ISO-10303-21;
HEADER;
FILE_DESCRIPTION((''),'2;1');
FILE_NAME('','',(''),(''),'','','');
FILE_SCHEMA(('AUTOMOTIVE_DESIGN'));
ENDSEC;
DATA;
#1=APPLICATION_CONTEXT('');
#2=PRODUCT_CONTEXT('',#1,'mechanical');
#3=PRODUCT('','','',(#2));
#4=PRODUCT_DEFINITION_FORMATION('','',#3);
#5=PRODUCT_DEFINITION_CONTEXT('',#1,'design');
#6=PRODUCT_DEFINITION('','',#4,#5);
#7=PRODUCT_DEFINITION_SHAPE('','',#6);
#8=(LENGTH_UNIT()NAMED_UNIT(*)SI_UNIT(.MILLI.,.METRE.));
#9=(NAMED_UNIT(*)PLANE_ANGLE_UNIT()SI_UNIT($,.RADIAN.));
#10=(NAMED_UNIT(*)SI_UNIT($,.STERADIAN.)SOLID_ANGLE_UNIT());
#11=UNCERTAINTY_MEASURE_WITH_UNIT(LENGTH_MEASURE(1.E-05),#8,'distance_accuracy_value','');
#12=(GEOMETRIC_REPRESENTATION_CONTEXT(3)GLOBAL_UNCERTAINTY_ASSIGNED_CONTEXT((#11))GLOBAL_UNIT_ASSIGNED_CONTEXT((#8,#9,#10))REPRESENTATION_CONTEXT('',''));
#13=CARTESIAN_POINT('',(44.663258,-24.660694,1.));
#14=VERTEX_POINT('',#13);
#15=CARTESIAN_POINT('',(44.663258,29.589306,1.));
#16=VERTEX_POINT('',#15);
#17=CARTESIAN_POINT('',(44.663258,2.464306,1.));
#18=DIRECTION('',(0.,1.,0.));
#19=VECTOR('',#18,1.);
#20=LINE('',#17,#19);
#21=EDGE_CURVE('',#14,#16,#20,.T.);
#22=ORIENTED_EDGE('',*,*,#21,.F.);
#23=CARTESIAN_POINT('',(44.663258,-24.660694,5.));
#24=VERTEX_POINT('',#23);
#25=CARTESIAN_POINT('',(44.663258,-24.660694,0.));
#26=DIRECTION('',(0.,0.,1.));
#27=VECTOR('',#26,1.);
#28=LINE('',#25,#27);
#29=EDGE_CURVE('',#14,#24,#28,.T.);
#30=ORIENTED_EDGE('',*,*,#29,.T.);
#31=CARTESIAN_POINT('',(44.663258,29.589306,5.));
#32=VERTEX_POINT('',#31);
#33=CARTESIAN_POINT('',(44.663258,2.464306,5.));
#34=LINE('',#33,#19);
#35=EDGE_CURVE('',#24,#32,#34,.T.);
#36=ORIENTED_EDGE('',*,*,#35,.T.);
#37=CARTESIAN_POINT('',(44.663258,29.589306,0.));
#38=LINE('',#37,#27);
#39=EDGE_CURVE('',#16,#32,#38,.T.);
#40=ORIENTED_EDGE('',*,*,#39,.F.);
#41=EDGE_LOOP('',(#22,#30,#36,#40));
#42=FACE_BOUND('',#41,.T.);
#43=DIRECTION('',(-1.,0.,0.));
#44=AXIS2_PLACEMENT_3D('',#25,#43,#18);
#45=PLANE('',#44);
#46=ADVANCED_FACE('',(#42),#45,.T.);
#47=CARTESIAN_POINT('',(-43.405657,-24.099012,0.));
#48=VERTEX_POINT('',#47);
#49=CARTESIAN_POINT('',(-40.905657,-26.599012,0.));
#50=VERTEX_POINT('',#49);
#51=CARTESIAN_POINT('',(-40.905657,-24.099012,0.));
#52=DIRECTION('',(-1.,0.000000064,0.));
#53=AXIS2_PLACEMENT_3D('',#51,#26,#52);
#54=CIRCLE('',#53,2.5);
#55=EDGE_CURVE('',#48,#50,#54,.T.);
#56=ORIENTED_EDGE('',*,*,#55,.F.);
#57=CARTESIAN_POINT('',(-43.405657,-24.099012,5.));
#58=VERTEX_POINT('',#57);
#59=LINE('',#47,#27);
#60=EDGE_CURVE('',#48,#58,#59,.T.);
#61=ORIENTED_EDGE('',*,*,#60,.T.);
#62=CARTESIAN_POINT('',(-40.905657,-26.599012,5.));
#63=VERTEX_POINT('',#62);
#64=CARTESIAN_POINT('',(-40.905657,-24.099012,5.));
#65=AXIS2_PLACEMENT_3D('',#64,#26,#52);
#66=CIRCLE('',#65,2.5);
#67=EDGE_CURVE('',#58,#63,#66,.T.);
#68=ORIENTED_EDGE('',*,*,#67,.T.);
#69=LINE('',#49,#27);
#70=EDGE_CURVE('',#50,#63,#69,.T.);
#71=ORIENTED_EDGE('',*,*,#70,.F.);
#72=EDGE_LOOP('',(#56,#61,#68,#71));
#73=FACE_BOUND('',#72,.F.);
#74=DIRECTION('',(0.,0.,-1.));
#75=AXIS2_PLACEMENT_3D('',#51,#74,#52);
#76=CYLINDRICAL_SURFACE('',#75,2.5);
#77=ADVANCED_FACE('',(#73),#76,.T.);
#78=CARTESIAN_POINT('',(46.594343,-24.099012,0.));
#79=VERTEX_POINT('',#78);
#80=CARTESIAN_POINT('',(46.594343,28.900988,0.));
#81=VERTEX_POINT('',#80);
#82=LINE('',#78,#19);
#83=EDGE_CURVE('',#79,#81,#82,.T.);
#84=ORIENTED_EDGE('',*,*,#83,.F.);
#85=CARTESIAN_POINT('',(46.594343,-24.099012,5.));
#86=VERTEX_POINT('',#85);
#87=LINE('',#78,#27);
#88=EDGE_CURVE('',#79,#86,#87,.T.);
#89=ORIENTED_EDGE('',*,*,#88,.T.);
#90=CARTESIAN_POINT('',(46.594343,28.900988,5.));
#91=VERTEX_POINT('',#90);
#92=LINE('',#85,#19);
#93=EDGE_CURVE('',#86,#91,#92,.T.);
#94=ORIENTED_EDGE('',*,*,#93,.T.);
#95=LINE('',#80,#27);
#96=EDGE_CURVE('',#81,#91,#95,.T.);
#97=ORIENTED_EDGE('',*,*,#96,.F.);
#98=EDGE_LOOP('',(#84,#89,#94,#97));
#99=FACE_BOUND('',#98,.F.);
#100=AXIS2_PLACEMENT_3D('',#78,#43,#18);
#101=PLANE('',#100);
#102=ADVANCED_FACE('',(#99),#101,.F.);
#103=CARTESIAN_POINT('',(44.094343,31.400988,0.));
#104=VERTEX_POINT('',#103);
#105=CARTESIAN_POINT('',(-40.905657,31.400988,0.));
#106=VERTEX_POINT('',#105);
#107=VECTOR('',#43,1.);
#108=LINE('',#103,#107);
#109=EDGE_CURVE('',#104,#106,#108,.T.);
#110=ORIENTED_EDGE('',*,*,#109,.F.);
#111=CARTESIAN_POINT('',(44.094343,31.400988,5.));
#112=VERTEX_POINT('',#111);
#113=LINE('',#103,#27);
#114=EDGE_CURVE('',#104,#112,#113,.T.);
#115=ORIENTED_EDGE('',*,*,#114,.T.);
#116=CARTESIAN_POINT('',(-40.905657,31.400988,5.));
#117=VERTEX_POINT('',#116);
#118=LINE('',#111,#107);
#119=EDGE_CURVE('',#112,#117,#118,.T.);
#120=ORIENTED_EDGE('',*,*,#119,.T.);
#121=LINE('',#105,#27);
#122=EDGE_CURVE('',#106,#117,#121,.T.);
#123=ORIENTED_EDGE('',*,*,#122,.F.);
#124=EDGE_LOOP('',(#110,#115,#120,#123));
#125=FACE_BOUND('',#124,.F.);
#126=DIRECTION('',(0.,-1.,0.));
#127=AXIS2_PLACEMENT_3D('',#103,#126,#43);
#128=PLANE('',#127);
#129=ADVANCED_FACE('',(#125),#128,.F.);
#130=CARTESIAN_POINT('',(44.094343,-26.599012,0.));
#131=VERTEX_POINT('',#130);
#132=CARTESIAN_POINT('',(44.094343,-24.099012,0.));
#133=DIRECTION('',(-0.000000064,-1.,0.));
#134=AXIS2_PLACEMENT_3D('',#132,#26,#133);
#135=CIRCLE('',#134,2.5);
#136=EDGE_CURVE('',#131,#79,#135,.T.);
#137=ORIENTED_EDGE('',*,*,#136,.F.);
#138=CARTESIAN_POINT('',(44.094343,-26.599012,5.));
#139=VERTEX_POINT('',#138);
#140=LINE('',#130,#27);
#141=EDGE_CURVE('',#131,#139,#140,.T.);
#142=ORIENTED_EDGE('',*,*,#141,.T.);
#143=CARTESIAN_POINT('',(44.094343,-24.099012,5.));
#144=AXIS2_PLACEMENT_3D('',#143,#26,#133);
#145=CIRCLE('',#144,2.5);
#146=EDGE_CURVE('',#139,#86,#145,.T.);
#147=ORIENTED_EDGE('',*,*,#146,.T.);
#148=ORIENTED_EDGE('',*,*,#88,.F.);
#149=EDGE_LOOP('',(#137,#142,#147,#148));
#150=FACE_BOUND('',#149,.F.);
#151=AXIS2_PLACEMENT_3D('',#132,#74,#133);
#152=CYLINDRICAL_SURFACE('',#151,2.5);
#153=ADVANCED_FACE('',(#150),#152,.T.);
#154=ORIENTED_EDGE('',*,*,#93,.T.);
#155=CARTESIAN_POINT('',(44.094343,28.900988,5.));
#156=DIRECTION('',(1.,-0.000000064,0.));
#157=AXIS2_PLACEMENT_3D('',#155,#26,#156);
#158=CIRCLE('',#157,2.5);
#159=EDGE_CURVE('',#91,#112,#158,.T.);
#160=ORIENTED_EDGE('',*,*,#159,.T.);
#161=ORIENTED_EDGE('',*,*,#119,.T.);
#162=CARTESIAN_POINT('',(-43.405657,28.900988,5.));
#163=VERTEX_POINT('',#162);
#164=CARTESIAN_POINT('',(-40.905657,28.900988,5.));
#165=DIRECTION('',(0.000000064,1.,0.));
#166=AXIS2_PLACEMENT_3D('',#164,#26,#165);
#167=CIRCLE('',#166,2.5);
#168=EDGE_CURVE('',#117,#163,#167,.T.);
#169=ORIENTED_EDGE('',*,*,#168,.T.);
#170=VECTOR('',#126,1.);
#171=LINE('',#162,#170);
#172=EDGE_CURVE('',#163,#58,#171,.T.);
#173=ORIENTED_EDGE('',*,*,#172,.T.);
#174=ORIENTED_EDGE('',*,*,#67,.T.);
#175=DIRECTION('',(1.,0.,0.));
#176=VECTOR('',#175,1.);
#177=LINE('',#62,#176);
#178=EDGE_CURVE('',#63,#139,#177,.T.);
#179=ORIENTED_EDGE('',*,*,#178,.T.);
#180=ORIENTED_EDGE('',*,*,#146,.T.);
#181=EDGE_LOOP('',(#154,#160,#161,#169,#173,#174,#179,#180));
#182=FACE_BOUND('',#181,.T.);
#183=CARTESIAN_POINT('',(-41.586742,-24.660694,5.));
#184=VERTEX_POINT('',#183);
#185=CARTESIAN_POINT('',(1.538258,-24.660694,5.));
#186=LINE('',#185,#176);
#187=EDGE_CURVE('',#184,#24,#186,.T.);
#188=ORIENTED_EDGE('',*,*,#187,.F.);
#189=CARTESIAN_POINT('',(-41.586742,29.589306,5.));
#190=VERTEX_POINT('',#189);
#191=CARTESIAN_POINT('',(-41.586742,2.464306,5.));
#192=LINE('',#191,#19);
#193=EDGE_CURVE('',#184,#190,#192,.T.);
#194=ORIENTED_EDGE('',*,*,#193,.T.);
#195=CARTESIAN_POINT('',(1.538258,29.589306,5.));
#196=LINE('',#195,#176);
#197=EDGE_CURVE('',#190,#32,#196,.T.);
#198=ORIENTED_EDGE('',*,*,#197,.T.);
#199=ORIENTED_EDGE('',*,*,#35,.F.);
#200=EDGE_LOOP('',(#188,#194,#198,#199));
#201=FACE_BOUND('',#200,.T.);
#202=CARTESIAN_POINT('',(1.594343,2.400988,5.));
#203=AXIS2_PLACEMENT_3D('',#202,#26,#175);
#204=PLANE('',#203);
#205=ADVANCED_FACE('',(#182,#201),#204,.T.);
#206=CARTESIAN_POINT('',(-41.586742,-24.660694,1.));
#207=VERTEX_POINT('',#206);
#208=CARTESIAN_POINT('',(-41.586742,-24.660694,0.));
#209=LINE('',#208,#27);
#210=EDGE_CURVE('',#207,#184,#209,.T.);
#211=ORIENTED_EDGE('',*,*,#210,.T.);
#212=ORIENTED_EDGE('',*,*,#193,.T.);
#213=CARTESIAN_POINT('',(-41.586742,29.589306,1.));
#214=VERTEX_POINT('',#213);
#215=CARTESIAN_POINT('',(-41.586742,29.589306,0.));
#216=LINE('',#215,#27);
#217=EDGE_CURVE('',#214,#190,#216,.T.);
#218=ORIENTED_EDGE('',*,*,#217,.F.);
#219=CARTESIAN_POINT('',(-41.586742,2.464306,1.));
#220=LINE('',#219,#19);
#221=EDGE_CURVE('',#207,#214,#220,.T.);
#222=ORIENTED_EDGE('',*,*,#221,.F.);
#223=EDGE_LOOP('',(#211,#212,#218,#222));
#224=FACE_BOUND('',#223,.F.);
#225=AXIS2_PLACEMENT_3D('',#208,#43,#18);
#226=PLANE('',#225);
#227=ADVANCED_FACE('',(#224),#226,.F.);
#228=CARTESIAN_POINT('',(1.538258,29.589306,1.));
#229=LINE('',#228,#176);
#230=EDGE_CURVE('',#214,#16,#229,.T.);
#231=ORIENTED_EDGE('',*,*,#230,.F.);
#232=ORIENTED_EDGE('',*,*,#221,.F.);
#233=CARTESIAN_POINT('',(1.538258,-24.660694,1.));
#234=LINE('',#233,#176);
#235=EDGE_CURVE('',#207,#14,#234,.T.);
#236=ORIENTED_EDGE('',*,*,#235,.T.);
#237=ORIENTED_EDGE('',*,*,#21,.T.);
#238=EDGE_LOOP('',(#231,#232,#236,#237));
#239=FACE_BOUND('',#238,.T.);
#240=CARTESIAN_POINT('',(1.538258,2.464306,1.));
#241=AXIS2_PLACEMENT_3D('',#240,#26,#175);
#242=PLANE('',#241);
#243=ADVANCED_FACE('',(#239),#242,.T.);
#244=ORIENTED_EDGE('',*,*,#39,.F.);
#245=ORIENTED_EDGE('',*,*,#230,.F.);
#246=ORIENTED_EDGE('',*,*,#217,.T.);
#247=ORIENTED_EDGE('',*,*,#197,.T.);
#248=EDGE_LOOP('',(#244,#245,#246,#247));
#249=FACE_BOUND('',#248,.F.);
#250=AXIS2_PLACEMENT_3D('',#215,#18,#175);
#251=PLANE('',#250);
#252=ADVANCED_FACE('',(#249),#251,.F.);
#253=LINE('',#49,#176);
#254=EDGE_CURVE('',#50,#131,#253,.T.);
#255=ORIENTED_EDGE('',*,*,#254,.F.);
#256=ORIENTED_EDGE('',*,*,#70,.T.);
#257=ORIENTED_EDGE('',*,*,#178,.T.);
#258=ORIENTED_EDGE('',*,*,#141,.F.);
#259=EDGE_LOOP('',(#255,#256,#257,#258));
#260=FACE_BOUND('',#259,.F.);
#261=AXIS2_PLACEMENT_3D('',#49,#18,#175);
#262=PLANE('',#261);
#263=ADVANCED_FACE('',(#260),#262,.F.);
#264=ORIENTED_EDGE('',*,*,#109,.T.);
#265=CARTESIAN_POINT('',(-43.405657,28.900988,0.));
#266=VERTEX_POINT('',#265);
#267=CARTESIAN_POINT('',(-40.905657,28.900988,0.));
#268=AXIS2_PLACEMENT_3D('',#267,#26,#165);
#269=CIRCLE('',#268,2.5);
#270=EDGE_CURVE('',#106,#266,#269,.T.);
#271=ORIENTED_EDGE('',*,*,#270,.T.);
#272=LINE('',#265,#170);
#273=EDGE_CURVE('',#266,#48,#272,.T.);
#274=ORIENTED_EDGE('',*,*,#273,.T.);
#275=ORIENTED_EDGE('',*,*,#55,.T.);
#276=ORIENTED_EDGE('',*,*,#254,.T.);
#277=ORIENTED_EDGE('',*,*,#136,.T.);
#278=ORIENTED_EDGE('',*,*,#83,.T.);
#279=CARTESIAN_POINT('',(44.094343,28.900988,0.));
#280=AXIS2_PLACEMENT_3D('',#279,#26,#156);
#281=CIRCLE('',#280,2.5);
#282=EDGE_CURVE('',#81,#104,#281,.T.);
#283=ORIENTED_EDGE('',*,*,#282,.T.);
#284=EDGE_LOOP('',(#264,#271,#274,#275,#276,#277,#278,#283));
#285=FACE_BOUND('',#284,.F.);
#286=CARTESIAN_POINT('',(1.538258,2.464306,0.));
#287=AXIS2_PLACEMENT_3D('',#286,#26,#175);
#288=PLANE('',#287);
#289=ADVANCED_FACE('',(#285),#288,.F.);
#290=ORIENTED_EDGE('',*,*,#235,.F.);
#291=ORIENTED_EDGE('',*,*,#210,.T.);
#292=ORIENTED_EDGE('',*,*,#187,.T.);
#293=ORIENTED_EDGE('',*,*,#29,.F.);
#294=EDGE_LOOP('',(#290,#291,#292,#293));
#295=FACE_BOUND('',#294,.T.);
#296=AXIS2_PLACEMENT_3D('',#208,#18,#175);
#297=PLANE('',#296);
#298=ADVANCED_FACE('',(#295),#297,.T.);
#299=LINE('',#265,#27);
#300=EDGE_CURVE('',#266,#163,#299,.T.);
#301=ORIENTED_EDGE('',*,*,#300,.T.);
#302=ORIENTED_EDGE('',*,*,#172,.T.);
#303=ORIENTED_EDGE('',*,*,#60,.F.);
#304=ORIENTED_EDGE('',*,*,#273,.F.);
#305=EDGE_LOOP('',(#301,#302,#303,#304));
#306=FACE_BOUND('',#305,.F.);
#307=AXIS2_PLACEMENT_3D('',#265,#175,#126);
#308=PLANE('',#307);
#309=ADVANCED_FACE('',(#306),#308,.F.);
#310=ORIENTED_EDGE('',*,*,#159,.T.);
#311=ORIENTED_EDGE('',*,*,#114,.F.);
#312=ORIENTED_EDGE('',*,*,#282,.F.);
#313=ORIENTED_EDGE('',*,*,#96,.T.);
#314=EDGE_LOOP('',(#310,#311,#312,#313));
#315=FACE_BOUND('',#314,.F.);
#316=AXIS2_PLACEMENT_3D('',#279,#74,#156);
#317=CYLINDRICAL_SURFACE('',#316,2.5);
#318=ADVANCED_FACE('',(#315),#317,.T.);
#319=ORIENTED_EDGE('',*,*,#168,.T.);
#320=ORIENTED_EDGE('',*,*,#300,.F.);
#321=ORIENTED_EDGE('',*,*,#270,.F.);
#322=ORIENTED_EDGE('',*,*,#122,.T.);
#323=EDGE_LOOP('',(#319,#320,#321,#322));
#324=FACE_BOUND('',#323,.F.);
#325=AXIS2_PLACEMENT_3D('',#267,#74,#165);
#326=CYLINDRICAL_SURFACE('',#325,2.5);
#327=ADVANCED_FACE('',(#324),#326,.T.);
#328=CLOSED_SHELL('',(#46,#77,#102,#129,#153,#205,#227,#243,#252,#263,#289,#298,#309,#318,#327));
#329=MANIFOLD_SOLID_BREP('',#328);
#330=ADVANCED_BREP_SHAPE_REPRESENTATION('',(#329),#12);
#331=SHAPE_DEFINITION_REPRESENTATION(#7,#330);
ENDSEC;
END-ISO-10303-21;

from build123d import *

# Parameters (mm, degrees)
F0_W     = 86.25
F0_H     = 54.25
F1_DEPTH = 5
F2_DEPTH = 1


with BuildPart() as f1:
    # F0 (on Top) → F1 (new body)
    with BuildSketch(Plane.XY):
        with BuildLine():
            ThreePointArc((-43.405657, -24.099012), (-42.673424, -25.866779), (-40.905657, -26.599012))
            Line((-40.905657, -26.599012), (44.094343, -26.599012))
            ThreePointArc((44.094343, -26.599012), (45.86211, -25.866779), (46.594343, -24.099012))
            Line((46.594343, -24.099012), (46.594343, 28.900988))
            ThreePointArc((46.594343, 28.900988), (45.86211, 30.668755), (44.094343, 31.400988))
            Line((44.094343, 31.400988), (-40.905657, 31.400988))
            ThreePointArc((-40.905657, 31.400988), (-42.673424, 30.668755), (-43.405657, 28.900988))
            Line((-43.405657, 28.900988), (-43.405657, -24.099012))
        make_face()
        with Locations((1.538258, 2.464306)):
            Rectangle(F0_W, F0_H, mode=Mode.SUBTRACT)
    extrude(amount=F1_DEPTH)

    # F0 (on Top) → F2 (join)
    with BuildSketch(Plane.XY):
        with Locations((1.538258, 2.464306)):
            Rectangle(F0_W, F0_H)
    extrude(amount=F2_DEPTH)


solid = f1.part
